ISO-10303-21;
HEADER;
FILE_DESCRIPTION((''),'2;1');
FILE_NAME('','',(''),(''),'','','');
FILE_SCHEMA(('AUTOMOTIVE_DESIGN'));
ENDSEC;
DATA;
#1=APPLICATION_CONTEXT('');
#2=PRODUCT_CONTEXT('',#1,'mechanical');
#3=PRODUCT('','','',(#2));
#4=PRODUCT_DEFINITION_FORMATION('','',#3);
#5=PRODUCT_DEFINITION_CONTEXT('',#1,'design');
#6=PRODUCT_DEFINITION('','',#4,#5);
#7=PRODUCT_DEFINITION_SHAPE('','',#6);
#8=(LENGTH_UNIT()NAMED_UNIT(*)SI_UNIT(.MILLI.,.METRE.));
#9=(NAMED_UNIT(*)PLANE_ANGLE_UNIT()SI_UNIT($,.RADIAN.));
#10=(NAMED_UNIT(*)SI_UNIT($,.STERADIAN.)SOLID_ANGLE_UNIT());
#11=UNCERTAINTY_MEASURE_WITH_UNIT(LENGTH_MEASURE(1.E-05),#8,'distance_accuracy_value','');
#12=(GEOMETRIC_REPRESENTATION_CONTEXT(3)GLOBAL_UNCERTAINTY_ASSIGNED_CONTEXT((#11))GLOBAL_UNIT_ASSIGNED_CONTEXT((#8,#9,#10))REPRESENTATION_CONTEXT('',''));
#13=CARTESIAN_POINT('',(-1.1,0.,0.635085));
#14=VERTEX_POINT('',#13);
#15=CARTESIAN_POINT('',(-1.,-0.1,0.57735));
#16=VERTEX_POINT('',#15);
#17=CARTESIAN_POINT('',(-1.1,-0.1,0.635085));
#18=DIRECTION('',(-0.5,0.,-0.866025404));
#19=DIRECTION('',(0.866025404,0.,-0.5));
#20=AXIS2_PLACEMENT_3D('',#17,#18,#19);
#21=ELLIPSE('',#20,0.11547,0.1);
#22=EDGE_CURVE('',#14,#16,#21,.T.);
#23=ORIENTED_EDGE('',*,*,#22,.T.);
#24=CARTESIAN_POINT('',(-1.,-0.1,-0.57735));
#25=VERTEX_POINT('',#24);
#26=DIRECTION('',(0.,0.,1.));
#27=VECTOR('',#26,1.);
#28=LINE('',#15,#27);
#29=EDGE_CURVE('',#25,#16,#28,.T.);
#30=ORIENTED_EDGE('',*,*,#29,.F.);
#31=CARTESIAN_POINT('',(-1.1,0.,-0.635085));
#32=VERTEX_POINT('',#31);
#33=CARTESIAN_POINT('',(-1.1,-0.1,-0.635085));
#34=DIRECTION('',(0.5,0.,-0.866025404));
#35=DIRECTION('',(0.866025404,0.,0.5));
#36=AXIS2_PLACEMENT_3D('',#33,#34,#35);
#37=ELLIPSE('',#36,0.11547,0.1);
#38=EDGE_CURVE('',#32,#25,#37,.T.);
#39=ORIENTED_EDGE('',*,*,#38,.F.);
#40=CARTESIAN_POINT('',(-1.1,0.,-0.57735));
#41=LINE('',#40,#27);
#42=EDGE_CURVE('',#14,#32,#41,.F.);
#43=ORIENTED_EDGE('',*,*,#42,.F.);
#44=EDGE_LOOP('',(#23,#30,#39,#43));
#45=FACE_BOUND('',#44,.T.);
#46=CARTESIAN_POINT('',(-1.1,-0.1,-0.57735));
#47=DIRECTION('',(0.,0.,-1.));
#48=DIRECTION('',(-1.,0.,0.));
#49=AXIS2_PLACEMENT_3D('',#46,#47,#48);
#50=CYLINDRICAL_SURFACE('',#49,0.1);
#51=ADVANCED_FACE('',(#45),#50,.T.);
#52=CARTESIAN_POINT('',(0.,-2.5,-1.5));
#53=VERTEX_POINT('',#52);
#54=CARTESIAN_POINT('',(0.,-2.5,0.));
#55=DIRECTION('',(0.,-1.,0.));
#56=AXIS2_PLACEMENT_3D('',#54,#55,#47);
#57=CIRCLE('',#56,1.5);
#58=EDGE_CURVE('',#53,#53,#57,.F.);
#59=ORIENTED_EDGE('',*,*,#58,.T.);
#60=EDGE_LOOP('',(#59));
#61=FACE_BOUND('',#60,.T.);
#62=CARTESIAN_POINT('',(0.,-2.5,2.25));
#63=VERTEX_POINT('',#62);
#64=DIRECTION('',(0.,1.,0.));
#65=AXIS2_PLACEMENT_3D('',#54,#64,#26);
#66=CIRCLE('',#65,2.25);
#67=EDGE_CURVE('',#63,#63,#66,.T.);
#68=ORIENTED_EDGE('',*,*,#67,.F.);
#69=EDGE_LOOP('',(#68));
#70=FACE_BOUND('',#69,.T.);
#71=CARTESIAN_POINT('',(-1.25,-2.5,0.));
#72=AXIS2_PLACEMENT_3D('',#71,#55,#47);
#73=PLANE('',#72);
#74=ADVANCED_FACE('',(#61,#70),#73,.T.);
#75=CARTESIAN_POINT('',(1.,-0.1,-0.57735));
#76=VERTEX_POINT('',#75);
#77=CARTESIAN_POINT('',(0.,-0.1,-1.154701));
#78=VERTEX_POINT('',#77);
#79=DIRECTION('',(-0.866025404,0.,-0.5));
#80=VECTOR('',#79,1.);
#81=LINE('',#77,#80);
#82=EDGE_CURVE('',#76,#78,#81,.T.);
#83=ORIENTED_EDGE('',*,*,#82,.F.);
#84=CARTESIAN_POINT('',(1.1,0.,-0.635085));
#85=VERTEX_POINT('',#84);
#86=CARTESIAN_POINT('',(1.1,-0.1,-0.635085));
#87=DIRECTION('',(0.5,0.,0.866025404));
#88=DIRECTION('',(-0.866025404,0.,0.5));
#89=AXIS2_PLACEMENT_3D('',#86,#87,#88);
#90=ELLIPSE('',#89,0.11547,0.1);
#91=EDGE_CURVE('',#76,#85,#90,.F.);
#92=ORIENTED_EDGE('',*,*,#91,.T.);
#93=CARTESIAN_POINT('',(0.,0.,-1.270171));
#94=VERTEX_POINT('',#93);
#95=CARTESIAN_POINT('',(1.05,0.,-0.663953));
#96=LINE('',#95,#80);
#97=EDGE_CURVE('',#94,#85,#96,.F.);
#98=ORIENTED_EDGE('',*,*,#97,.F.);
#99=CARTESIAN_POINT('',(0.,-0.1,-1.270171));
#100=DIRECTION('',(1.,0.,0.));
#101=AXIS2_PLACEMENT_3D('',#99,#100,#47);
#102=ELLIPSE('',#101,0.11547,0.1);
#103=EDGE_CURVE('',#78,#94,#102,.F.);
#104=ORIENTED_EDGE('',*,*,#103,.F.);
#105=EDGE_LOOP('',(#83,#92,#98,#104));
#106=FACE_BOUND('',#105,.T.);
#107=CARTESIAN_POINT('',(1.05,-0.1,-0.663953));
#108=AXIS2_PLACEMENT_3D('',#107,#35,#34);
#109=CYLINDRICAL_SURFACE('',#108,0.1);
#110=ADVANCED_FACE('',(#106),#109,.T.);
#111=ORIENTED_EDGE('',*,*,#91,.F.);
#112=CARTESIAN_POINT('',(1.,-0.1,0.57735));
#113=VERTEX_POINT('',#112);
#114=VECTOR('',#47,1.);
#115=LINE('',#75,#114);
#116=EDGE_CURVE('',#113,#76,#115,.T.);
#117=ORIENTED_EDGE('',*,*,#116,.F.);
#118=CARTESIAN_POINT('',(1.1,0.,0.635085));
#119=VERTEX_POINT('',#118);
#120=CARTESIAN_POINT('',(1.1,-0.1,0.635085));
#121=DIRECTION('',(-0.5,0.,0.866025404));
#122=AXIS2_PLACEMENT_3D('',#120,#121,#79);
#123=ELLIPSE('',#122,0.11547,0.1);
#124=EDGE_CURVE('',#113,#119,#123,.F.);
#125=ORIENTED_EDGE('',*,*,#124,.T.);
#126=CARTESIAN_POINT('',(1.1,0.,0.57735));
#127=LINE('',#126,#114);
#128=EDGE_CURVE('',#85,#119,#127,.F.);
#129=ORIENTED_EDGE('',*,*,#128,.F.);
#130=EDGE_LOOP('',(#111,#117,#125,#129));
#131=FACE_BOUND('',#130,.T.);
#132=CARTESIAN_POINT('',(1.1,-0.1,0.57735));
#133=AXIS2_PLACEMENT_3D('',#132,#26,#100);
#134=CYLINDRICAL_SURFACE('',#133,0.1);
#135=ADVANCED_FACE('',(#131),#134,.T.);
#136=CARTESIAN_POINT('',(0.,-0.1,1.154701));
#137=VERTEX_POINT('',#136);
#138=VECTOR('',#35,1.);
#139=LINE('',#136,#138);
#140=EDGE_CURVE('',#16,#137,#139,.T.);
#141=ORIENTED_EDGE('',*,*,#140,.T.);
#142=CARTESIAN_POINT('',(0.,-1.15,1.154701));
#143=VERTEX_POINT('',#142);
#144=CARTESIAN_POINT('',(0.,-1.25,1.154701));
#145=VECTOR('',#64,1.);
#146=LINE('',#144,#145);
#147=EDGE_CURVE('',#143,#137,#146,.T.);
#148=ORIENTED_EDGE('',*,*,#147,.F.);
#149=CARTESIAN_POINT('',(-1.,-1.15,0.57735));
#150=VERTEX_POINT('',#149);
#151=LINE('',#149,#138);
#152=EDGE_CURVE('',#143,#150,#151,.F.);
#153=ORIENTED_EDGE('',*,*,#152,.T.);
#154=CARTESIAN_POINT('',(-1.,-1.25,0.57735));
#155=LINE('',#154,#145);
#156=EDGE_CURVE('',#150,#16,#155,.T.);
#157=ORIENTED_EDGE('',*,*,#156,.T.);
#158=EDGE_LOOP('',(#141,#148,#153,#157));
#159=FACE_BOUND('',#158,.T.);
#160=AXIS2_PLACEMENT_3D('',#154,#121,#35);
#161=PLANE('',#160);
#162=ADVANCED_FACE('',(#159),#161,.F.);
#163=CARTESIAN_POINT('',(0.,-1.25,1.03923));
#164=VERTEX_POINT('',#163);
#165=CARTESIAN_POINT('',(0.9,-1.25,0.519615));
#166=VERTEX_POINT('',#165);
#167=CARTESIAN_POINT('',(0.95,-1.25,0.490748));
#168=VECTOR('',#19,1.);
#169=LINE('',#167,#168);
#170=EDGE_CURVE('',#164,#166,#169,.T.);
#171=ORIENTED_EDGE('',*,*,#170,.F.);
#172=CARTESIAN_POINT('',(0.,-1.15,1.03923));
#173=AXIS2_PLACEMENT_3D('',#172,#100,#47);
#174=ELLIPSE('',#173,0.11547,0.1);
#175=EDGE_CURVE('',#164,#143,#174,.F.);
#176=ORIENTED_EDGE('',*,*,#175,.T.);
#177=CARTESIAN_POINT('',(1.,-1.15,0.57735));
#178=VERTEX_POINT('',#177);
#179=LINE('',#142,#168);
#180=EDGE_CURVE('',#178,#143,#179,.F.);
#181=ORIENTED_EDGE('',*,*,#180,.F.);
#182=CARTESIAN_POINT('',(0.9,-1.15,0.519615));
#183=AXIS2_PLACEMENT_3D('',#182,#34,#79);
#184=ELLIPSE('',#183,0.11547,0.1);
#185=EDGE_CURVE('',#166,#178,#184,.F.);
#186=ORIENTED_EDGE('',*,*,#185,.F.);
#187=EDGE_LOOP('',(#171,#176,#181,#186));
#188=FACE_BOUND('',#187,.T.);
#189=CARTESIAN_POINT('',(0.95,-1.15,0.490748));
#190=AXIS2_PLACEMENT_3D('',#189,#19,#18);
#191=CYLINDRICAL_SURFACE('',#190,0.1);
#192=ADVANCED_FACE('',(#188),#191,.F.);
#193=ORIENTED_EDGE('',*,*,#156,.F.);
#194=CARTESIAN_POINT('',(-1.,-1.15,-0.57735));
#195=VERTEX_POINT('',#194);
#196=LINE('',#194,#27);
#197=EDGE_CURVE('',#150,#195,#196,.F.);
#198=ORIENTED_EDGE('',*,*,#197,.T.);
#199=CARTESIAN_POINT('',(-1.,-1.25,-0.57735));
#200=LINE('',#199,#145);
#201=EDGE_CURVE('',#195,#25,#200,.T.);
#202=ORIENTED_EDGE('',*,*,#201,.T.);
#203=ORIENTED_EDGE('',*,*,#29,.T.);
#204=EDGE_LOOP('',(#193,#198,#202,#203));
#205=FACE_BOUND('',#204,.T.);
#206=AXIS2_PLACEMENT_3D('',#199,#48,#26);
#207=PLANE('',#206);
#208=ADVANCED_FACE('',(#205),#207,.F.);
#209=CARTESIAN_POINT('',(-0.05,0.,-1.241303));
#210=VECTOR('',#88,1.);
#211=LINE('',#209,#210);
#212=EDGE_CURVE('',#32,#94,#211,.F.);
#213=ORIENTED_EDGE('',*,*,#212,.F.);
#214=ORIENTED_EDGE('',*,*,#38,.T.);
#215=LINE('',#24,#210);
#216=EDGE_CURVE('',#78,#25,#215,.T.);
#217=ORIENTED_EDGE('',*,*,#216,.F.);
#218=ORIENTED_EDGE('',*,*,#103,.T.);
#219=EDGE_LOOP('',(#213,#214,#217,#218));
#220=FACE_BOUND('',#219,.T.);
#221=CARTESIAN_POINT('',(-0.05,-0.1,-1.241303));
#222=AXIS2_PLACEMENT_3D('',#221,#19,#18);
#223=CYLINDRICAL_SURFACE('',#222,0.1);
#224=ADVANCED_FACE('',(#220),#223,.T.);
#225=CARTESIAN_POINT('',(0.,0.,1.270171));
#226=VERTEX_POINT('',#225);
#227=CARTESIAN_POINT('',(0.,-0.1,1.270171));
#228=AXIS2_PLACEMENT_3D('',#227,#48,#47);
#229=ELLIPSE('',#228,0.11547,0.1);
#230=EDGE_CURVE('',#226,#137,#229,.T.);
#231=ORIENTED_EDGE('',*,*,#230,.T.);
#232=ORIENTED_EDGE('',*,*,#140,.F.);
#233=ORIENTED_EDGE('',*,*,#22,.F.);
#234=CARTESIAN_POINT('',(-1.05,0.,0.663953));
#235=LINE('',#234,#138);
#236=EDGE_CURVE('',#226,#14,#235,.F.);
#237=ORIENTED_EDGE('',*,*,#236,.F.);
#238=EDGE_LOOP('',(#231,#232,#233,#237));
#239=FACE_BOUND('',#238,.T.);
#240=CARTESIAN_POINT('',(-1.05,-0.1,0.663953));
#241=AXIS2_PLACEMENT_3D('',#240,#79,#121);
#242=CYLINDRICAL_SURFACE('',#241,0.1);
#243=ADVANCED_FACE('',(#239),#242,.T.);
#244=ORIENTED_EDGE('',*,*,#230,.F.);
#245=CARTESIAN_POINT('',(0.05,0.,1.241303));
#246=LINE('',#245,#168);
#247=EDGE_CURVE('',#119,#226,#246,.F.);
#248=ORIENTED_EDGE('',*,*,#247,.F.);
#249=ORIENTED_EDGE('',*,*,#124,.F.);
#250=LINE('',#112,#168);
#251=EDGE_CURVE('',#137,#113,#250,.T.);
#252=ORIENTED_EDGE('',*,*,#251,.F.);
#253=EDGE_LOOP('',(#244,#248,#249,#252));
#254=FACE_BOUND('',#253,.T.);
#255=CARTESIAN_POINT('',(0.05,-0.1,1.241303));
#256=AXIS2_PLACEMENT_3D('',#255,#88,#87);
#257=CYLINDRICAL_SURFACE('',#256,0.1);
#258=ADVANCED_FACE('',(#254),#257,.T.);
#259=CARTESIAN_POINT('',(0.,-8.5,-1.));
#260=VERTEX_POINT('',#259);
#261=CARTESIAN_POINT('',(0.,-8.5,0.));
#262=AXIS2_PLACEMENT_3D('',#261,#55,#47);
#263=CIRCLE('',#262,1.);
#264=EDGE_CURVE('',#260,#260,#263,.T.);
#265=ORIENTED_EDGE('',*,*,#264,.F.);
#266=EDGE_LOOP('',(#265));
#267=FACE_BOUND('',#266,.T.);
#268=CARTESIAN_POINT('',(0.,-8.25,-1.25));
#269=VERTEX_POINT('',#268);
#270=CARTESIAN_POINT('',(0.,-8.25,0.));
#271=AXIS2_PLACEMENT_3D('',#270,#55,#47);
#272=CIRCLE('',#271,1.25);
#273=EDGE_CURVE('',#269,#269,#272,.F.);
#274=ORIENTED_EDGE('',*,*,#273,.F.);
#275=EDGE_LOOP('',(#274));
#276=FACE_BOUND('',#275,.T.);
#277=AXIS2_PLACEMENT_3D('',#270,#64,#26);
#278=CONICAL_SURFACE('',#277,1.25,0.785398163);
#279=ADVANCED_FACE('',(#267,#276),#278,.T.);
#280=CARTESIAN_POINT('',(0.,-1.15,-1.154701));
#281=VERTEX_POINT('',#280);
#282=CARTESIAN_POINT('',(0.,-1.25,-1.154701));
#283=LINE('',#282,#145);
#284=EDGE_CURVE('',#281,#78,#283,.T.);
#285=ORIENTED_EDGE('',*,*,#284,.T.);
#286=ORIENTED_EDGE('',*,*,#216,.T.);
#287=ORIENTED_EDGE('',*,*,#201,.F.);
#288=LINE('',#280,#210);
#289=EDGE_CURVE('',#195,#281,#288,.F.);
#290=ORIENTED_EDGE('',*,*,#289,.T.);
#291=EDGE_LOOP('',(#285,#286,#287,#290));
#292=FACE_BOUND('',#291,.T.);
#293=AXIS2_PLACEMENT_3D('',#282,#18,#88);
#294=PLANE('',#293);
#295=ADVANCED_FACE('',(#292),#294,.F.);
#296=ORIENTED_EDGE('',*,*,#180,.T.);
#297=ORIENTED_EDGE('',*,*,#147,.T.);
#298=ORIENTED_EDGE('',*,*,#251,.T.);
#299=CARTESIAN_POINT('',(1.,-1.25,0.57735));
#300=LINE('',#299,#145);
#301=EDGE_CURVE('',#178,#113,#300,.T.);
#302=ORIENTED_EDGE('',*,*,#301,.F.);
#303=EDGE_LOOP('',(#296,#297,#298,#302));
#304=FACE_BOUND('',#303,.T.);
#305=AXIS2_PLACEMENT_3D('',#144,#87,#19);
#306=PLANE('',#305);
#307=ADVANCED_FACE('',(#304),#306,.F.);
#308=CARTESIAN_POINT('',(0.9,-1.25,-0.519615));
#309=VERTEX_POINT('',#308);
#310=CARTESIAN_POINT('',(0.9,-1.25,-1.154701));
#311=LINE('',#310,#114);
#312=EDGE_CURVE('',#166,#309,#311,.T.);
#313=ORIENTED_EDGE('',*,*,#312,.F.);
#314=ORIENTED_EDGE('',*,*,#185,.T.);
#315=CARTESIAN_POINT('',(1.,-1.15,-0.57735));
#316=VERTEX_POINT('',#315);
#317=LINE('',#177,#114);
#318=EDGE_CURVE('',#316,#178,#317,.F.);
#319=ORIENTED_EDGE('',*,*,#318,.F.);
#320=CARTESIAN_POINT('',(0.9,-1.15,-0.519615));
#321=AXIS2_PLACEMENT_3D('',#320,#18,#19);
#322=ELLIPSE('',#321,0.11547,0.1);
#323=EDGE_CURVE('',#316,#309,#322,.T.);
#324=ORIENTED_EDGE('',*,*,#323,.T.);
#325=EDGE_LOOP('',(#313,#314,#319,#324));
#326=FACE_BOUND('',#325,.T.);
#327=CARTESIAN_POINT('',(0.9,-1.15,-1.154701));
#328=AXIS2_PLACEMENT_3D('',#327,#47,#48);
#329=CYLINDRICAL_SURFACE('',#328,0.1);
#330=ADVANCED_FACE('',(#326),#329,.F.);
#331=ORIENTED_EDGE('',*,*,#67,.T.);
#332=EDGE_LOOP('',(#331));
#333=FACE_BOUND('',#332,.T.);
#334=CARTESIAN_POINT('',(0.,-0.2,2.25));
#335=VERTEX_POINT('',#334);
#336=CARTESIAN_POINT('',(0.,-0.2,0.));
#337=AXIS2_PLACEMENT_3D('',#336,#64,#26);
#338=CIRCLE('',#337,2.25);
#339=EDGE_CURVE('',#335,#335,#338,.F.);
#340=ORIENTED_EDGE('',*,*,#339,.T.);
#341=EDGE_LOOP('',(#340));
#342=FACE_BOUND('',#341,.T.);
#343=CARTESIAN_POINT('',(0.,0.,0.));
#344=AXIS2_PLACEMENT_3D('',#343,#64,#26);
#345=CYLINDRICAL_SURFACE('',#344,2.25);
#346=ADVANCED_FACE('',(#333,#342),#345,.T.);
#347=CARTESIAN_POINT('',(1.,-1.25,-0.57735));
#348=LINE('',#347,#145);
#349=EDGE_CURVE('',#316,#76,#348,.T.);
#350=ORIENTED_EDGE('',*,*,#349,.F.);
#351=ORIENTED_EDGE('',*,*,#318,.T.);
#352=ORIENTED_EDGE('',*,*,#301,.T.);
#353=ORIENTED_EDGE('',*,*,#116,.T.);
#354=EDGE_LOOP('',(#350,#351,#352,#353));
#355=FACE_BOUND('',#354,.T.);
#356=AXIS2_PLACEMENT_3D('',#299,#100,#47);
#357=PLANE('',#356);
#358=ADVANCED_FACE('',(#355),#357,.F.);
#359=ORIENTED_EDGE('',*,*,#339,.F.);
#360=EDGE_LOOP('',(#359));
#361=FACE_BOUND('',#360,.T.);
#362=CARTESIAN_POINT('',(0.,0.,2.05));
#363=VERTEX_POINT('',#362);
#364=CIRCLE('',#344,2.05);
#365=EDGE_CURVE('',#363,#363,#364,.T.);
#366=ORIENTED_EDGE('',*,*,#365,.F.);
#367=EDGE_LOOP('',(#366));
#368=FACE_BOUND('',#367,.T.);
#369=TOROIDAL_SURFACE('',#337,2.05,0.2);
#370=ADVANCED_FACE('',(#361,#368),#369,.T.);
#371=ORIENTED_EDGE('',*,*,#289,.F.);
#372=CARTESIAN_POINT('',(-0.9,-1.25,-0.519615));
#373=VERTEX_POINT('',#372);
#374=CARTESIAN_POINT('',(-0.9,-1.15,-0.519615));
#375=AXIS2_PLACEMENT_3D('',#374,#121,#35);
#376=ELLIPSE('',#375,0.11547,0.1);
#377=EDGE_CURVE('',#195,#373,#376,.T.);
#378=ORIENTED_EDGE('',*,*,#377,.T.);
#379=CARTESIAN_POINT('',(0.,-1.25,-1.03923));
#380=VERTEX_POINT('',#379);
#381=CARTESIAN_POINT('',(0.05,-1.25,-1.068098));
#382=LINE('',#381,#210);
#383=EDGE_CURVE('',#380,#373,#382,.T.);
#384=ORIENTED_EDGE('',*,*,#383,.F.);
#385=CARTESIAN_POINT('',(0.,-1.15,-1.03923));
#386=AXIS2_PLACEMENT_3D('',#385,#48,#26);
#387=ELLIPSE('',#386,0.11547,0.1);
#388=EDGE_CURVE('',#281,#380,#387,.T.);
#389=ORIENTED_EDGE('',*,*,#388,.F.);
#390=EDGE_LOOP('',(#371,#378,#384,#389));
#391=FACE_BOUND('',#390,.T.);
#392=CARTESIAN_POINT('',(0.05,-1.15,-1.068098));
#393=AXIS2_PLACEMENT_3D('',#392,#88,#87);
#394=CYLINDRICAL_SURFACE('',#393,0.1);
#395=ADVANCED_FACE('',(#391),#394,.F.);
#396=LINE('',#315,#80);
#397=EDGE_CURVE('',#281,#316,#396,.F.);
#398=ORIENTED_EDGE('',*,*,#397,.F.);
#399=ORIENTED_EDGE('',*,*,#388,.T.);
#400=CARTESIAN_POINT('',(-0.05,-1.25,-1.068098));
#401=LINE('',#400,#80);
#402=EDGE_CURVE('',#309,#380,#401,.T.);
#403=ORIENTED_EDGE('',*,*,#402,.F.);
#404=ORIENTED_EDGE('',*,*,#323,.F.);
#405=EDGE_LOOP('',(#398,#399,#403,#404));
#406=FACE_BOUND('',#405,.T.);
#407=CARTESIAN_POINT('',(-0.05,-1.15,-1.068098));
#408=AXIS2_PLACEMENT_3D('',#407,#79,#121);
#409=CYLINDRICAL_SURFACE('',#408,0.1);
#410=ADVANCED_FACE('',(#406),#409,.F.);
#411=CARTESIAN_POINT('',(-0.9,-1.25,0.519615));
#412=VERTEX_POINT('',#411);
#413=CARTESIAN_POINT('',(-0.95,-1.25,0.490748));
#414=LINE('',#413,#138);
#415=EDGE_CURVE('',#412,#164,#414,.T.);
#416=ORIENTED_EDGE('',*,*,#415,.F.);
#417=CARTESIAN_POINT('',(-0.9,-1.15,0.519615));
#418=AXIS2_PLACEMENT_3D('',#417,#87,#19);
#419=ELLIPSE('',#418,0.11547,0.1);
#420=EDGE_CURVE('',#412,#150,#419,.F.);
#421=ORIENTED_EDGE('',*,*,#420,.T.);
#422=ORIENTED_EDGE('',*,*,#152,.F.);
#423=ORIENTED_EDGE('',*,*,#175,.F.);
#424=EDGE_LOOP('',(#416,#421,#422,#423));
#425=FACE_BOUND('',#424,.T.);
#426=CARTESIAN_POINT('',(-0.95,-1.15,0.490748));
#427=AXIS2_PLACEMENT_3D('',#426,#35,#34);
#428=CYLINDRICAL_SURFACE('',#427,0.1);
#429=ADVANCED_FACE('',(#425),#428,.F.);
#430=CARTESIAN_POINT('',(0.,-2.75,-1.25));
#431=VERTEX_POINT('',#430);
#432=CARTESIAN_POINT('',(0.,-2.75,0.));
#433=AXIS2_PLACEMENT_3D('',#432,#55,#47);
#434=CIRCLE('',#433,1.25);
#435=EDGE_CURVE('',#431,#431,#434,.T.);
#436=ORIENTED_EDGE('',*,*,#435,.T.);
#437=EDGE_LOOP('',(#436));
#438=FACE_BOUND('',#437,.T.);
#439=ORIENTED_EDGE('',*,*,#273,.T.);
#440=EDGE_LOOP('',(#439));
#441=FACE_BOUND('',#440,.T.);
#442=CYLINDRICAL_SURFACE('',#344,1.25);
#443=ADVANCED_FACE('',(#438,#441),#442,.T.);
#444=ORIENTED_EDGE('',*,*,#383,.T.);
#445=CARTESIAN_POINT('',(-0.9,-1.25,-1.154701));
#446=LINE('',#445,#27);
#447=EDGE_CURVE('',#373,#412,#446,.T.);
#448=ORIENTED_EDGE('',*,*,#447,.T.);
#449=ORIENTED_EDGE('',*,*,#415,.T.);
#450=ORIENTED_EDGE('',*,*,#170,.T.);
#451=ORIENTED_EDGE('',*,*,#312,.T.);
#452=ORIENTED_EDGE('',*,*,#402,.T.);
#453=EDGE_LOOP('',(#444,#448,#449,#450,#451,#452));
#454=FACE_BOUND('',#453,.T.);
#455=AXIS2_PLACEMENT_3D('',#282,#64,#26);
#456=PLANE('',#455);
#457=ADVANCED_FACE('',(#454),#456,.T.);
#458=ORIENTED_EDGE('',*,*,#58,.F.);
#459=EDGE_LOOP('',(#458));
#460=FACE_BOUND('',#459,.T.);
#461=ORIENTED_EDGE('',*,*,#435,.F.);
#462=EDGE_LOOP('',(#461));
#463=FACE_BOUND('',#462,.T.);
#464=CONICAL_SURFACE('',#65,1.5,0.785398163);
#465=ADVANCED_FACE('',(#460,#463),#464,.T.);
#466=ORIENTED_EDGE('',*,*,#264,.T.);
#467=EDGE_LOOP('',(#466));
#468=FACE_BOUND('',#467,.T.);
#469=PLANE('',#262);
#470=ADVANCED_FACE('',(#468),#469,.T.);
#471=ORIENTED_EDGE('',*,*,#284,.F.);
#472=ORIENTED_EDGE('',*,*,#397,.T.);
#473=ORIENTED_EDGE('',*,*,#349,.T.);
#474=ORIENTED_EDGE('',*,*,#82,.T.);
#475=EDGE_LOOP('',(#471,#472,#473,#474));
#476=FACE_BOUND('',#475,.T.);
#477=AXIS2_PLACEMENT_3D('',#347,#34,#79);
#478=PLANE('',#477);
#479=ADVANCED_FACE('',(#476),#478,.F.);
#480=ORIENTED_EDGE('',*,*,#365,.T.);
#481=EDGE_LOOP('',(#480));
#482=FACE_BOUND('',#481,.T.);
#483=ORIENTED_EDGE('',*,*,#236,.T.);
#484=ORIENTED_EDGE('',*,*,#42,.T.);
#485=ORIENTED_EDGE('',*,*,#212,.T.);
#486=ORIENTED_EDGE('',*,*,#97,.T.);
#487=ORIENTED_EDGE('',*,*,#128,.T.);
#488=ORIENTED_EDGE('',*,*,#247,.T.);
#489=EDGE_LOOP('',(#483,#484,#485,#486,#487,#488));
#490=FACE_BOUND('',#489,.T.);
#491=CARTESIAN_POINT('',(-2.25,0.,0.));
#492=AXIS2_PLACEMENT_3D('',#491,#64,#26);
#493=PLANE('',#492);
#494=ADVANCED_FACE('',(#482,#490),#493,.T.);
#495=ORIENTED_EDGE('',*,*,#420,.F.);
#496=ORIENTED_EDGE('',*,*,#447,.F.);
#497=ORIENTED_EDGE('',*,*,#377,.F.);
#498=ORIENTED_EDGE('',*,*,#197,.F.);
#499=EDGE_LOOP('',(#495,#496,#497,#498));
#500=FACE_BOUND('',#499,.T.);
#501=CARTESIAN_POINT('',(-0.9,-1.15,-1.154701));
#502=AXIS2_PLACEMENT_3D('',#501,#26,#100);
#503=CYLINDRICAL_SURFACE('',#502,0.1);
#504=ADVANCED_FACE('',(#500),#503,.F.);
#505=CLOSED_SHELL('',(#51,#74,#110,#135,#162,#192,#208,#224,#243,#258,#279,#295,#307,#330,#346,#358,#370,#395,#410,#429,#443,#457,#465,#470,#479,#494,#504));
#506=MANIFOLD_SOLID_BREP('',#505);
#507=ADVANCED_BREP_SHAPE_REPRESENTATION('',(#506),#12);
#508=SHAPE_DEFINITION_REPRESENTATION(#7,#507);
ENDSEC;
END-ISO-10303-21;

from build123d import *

# Parameters (mm, degrees)
CHAMFER1_SIZE      = 0.25
FILLET1_R          = 0.2
CUT_EXTRUDE1_DEPTH = 1.25
FILLET2_R          = 0.1


with BuildPart() as part:
    # Sketch1 → Revolve1 (revolve)
    with BuildSketch(Plane.XY, mode=Mode.PRIVATE) as revolve1_sk:
        Polygon((0, -8.5), (-1.25, -8.5), (-1.25, -2.5), (-2.25, -2.5), (-2.25, 0), (0, 0), align=None)
    revolve(revolve1_sk.sketch.rotate(Axis((0, 0, 0), (0, -1, 0)), 270), axis=Axis((0, 0, 0), (0, -1, 0)))

    # Chamfer1
    chamfer1_edges = [part.edges().sort_by_distance(p)[0] for p in [
        (0, -2.5, -1.25),
        (0, -8.5, -1.25),
    ]]
    chamfer(chamfer1_edges, length=CHAMFER1_SIZE)

    # Fillet1
    fillet1_edges = [part.edges().sort_by_distance(p)[0] for p in [
        (0, 0, -2.25),
    ]]
    fillet(fillet1_edges, radius=FILLET1_R)

    # Sketch2 → Cut-Extrude1 (cut)
    with BuildSketch(Plane(origin=(0, 0, 0), x_dir=(1, 0, 0), z_dir=(0, 1, 0))):
        Polygon((0, 1.154700538), (-1, 0.577350269), (-1, -0.577350269), (0, -1.154700538), (1, -0.577350269), (1, 0.577350269), align=None)
    extrude(amount=-CUT_EXTRUDE1_DEPTH, mode=Mode.SUBTRACT)

    # Fillet2
    fillet2_edges = [part.edges().sort_by_distance(p)[0] for p in [
        (0.5, -1.25, -0.866025404),
        (1, -1.25, 0),
        (0.5, -1.25, 0.866025404),
        (-0.5, -1.25, 0.866025404),
        (-1, -1.25, 0),
        (-0.5, -1.25, -0.866025404),
        (0.4999999999999987, 0, -0.8660254037844397),
        (-0.5000000000000006, 0, -0.8660254037844395),
        (-1, 0, 0),
        (-0.5000000000000007, 0, 0.8660254037844379),
        (0.4999999999999988, 0, 0.8660254037844382),
        (1, 0, 0),
    ]]
    fillet(fillet2_edges, radius=FILLET2_R)


solid = part.part
